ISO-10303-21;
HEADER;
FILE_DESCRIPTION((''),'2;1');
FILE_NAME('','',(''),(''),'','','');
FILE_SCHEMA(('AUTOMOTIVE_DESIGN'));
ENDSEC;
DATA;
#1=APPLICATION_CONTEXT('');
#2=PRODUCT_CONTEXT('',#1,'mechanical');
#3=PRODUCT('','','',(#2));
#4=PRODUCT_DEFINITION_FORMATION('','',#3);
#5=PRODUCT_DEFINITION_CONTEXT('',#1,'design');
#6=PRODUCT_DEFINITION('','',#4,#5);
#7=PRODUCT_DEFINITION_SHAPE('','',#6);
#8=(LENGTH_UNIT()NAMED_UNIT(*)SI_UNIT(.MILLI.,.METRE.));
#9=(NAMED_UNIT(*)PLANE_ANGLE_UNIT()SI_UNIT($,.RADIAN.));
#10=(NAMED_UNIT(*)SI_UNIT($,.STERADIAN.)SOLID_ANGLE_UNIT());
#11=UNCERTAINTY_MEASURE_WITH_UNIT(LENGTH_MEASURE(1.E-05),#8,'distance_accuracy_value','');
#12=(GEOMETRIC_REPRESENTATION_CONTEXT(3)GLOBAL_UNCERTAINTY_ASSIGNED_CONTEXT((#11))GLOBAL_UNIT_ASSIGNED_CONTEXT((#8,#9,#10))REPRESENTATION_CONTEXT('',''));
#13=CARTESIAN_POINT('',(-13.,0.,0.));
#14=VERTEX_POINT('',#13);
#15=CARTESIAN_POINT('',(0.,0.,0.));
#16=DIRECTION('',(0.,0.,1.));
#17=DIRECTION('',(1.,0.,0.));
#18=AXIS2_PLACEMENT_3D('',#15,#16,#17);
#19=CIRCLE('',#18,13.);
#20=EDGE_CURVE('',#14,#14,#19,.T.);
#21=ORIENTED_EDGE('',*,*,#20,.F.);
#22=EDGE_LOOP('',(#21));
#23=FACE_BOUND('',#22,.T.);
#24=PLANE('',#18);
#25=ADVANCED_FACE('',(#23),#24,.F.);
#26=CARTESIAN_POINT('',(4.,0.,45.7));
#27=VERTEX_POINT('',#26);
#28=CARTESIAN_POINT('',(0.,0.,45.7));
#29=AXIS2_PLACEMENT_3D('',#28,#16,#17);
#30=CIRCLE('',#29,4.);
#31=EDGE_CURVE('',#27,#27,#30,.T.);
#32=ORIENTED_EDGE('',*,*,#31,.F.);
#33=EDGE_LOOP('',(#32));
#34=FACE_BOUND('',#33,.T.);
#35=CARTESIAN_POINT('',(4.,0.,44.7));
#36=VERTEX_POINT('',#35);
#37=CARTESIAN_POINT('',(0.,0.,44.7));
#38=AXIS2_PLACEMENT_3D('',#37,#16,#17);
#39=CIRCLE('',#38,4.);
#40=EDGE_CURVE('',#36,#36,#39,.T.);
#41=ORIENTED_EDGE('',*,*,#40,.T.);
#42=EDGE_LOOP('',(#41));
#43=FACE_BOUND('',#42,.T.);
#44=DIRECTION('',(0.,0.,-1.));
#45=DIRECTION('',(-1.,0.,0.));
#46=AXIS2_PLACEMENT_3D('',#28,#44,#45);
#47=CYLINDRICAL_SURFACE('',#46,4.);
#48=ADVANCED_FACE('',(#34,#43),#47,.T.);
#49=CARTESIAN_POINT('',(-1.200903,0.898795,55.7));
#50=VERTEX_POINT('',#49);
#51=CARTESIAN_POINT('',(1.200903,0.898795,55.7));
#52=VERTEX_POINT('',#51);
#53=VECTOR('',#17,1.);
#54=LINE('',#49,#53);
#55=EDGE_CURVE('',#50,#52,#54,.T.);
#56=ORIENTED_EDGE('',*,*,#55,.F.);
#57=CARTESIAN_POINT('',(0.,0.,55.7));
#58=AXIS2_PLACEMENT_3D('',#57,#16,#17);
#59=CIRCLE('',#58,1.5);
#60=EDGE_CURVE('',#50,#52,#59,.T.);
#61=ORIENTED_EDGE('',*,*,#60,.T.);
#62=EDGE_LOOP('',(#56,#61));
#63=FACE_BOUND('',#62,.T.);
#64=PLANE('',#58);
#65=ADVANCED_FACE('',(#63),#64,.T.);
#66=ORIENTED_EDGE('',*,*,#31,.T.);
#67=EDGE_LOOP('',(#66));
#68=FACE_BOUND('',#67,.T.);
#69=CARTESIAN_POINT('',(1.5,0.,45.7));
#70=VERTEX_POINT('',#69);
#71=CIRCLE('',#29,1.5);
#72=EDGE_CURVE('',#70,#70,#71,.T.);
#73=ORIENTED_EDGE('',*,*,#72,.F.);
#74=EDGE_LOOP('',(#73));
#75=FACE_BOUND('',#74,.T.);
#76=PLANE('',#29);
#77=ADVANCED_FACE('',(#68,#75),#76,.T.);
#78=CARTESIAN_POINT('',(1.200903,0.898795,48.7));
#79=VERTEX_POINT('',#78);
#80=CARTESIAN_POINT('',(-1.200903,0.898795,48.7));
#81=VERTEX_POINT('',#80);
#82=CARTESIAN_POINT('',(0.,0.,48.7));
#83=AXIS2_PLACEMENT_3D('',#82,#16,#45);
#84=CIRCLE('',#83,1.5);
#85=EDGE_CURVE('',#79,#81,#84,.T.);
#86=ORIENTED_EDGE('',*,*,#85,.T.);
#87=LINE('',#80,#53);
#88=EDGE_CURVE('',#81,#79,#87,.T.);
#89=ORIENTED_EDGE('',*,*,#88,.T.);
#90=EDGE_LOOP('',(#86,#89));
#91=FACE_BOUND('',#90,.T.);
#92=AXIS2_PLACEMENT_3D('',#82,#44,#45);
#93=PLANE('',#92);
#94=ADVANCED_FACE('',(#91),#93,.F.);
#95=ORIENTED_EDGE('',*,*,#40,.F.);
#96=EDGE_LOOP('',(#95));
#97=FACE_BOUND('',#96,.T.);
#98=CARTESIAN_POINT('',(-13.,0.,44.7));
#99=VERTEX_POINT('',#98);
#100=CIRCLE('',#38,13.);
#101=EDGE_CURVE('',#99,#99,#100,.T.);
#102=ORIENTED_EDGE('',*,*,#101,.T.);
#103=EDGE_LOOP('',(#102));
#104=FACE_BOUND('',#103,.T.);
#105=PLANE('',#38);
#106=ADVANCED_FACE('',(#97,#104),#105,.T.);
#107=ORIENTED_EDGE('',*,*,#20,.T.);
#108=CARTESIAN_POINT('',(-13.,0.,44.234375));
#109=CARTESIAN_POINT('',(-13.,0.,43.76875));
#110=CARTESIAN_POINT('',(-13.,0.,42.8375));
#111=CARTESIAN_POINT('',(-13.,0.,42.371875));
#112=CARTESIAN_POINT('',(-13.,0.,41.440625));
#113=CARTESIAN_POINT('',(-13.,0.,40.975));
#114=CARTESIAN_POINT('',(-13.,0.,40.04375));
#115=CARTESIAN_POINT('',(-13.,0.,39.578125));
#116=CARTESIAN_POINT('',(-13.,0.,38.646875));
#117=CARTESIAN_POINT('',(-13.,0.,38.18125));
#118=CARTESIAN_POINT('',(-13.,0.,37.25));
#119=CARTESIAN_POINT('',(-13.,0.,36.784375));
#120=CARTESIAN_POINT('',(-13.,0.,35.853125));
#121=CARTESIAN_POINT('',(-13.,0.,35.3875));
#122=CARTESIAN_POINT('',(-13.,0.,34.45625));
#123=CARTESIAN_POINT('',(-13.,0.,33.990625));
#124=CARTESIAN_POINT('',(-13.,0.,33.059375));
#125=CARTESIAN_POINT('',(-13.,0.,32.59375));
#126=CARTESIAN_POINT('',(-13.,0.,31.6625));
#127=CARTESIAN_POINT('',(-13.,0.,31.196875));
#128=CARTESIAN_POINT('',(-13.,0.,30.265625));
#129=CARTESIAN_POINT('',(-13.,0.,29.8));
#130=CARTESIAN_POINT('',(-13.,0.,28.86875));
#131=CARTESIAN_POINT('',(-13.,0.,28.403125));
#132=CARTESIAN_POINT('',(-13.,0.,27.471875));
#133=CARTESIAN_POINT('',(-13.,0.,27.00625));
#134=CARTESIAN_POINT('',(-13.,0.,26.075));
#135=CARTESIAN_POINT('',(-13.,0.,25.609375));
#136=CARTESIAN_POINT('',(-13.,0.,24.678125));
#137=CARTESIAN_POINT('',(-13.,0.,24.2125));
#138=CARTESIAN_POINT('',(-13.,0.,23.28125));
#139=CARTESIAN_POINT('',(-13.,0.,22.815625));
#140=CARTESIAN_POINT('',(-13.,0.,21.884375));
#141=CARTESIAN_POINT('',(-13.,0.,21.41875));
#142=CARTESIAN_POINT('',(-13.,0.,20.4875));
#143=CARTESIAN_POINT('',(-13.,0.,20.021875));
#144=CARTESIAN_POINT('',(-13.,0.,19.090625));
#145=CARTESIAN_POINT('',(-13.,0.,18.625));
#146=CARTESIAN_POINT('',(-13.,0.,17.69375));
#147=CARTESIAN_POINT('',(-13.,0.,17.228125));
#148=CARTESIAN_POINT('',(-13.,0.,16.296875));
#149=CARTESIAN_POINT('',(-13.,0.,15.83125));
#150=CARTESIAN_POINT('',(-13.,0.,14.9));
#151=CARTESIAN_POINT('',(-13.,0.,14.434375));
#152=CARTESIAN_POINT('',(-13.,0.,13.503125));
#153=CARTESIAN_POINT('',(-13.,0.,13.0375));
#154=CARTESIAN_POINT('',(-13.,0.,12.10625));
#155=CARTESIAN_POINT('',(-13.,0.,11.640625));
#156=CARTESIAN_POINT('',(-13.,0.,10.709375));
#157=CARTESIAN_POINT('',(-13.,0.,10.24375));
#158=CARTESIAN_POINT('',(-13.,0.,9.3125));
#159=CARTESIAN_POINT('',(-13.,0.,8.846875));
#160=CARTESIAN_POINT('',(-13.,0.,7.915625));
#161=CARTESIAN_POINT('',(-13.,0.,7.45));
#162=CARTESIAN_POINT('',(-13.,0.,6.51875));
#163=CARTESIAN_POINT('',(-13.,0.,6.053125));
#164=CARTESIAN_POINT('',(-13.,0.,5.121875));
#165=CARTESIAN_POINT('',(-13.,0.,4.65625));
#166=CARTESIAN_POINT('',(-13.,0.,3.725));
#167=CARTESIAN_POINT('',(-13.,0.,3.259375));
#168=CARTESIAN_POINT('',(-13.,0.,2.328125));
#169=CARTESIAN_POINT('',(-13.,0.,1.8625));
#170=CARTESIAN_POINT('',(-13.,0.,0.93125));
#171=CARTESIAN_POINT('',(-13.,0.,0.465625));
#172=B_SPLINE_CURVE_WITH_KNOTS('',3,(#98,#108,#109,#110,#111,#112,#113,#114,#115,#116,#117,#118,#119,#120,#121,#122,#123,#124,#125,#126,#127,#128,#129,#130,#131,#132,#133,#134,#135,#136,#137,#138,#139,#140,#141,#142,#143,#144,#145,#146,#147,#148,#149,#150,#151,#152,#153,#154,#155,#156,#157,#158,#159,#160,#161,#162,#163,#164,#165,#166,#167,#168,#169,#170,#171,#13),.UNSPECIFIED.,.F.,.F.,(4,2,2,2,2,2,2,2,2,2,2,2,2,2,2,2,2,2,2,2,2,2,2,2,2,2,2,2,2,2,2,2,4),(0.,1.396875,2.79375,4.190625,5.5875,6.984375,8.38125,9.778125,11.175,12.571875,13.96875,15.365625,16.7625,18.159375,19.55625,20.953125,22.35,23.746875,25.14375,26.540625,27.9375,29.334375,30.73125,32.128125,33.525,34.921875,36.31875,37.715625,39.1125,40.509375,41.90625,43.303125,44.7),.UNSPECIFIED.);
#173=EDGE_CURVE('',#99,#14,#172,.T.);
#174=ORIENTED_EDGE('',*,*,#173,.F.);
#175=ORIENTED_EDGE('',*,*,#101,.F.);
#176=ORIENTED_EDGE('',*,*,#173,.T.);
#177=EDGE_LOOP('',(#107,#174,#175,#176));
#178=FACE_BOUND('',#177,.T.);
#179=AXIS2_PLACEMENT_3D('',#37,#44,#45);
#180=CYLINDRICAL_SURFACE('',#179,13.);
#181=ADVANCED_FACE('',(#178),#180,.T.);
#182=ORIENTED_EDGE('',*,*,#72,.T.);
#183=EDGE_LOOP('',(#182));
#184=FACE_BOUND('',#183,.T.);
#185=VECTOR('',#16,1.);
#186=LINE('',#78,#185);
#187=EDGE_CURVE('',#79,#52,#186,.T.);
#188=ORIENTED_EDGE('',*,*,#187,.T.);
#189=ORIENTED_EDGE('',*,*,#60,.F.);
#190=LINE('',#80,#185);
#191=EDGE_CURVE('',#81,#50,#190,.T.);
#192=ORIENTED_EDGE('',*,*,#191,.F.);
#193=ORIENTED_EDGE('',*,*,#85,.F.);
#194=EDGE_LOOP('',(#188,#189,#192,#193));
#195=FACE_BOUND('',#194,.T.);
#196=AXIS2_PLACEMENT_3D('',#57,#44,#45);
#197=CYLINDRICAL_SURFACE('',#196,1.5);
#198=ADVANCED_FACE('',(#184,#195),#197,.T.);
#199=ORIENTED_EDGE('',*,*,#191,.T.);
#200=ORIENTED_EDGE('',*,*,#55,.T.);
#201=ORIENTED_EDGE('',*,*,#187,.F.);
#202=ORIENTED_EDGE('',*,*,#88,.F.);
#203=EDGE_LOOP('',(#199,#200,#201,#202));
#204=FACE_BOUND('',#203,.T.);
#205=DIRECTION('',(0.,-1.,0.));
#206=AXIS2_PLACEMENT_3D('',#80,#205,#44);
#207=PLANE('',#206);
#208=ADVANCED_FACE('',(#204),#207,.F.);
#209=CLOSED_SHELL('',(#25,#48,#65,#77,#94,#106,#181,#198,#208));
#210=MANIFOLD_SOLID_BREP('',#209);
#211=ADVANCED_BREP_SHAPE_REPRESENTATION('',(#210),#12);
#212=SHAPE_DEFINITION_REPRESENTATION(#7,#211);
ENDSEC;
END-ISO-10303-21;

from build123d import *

# Parameters (mm, degrees)
ESQUISSE1_R             = 13
BOSS_EXTRU_1_DEPTH      = 44.7
ESQUISSE2_R             = 4
BOSS_EXTRU_2_DEPTH      = 1
ESQUISSE3_R             = 1.5
BOSS_EXTRU_3_DEPTH      = 10
ENL_V_START             = -7
ENL_V_MAT_EXTRU_1_DEPTH = 7


with BuildPart() as part:
    # Esquisse1 → Boss.-Extru.1 (new body)
    with BuildSketch(Plane.XY):
        with Locations(Location((0, 0, 0), (0, 0, 180))):
            Circle(ESQUISSE1_R)
    extrude(amount=BOSS_EXTRU_1_DEPTH)

    # Esquisse2 → Boss.-Extru.2 (add)
    with BuildSketch(Plane.XY.offset(44.7)):
        Circle(ESQUISSE2_R)
    extrude(amount=BOSS_EXTRU_2_DEPTH)

    # Esquisse3 → Boss.-Extru.3 (add)
    with BuildSketch(Plane.XY.offset(45.7)):
        Circle(ESQUISSE3_R)
    extrude(amount=BOSS_EXTRU_3_DEPTH)

    # Esquisse4 → Enlèv. mat.-Extru.1 (cut)
    with BuildSketch(Plane.XY.offset(55.7).offset(ENL_V_START)):
        with BuildLine():
            Line((-1.200903118, 0.898794582), (1.200903118, 0.898794582))
            ThreePointArc((1.200903118, 0.898794582), (0, 1.5), (-1.200903118, 0.898794582))
        make_face()
    extrude(amount=ENL_V_MAT_EXTRU_1_DEPTH, mode=Mode.SUBTRACT)


solid = part.part
